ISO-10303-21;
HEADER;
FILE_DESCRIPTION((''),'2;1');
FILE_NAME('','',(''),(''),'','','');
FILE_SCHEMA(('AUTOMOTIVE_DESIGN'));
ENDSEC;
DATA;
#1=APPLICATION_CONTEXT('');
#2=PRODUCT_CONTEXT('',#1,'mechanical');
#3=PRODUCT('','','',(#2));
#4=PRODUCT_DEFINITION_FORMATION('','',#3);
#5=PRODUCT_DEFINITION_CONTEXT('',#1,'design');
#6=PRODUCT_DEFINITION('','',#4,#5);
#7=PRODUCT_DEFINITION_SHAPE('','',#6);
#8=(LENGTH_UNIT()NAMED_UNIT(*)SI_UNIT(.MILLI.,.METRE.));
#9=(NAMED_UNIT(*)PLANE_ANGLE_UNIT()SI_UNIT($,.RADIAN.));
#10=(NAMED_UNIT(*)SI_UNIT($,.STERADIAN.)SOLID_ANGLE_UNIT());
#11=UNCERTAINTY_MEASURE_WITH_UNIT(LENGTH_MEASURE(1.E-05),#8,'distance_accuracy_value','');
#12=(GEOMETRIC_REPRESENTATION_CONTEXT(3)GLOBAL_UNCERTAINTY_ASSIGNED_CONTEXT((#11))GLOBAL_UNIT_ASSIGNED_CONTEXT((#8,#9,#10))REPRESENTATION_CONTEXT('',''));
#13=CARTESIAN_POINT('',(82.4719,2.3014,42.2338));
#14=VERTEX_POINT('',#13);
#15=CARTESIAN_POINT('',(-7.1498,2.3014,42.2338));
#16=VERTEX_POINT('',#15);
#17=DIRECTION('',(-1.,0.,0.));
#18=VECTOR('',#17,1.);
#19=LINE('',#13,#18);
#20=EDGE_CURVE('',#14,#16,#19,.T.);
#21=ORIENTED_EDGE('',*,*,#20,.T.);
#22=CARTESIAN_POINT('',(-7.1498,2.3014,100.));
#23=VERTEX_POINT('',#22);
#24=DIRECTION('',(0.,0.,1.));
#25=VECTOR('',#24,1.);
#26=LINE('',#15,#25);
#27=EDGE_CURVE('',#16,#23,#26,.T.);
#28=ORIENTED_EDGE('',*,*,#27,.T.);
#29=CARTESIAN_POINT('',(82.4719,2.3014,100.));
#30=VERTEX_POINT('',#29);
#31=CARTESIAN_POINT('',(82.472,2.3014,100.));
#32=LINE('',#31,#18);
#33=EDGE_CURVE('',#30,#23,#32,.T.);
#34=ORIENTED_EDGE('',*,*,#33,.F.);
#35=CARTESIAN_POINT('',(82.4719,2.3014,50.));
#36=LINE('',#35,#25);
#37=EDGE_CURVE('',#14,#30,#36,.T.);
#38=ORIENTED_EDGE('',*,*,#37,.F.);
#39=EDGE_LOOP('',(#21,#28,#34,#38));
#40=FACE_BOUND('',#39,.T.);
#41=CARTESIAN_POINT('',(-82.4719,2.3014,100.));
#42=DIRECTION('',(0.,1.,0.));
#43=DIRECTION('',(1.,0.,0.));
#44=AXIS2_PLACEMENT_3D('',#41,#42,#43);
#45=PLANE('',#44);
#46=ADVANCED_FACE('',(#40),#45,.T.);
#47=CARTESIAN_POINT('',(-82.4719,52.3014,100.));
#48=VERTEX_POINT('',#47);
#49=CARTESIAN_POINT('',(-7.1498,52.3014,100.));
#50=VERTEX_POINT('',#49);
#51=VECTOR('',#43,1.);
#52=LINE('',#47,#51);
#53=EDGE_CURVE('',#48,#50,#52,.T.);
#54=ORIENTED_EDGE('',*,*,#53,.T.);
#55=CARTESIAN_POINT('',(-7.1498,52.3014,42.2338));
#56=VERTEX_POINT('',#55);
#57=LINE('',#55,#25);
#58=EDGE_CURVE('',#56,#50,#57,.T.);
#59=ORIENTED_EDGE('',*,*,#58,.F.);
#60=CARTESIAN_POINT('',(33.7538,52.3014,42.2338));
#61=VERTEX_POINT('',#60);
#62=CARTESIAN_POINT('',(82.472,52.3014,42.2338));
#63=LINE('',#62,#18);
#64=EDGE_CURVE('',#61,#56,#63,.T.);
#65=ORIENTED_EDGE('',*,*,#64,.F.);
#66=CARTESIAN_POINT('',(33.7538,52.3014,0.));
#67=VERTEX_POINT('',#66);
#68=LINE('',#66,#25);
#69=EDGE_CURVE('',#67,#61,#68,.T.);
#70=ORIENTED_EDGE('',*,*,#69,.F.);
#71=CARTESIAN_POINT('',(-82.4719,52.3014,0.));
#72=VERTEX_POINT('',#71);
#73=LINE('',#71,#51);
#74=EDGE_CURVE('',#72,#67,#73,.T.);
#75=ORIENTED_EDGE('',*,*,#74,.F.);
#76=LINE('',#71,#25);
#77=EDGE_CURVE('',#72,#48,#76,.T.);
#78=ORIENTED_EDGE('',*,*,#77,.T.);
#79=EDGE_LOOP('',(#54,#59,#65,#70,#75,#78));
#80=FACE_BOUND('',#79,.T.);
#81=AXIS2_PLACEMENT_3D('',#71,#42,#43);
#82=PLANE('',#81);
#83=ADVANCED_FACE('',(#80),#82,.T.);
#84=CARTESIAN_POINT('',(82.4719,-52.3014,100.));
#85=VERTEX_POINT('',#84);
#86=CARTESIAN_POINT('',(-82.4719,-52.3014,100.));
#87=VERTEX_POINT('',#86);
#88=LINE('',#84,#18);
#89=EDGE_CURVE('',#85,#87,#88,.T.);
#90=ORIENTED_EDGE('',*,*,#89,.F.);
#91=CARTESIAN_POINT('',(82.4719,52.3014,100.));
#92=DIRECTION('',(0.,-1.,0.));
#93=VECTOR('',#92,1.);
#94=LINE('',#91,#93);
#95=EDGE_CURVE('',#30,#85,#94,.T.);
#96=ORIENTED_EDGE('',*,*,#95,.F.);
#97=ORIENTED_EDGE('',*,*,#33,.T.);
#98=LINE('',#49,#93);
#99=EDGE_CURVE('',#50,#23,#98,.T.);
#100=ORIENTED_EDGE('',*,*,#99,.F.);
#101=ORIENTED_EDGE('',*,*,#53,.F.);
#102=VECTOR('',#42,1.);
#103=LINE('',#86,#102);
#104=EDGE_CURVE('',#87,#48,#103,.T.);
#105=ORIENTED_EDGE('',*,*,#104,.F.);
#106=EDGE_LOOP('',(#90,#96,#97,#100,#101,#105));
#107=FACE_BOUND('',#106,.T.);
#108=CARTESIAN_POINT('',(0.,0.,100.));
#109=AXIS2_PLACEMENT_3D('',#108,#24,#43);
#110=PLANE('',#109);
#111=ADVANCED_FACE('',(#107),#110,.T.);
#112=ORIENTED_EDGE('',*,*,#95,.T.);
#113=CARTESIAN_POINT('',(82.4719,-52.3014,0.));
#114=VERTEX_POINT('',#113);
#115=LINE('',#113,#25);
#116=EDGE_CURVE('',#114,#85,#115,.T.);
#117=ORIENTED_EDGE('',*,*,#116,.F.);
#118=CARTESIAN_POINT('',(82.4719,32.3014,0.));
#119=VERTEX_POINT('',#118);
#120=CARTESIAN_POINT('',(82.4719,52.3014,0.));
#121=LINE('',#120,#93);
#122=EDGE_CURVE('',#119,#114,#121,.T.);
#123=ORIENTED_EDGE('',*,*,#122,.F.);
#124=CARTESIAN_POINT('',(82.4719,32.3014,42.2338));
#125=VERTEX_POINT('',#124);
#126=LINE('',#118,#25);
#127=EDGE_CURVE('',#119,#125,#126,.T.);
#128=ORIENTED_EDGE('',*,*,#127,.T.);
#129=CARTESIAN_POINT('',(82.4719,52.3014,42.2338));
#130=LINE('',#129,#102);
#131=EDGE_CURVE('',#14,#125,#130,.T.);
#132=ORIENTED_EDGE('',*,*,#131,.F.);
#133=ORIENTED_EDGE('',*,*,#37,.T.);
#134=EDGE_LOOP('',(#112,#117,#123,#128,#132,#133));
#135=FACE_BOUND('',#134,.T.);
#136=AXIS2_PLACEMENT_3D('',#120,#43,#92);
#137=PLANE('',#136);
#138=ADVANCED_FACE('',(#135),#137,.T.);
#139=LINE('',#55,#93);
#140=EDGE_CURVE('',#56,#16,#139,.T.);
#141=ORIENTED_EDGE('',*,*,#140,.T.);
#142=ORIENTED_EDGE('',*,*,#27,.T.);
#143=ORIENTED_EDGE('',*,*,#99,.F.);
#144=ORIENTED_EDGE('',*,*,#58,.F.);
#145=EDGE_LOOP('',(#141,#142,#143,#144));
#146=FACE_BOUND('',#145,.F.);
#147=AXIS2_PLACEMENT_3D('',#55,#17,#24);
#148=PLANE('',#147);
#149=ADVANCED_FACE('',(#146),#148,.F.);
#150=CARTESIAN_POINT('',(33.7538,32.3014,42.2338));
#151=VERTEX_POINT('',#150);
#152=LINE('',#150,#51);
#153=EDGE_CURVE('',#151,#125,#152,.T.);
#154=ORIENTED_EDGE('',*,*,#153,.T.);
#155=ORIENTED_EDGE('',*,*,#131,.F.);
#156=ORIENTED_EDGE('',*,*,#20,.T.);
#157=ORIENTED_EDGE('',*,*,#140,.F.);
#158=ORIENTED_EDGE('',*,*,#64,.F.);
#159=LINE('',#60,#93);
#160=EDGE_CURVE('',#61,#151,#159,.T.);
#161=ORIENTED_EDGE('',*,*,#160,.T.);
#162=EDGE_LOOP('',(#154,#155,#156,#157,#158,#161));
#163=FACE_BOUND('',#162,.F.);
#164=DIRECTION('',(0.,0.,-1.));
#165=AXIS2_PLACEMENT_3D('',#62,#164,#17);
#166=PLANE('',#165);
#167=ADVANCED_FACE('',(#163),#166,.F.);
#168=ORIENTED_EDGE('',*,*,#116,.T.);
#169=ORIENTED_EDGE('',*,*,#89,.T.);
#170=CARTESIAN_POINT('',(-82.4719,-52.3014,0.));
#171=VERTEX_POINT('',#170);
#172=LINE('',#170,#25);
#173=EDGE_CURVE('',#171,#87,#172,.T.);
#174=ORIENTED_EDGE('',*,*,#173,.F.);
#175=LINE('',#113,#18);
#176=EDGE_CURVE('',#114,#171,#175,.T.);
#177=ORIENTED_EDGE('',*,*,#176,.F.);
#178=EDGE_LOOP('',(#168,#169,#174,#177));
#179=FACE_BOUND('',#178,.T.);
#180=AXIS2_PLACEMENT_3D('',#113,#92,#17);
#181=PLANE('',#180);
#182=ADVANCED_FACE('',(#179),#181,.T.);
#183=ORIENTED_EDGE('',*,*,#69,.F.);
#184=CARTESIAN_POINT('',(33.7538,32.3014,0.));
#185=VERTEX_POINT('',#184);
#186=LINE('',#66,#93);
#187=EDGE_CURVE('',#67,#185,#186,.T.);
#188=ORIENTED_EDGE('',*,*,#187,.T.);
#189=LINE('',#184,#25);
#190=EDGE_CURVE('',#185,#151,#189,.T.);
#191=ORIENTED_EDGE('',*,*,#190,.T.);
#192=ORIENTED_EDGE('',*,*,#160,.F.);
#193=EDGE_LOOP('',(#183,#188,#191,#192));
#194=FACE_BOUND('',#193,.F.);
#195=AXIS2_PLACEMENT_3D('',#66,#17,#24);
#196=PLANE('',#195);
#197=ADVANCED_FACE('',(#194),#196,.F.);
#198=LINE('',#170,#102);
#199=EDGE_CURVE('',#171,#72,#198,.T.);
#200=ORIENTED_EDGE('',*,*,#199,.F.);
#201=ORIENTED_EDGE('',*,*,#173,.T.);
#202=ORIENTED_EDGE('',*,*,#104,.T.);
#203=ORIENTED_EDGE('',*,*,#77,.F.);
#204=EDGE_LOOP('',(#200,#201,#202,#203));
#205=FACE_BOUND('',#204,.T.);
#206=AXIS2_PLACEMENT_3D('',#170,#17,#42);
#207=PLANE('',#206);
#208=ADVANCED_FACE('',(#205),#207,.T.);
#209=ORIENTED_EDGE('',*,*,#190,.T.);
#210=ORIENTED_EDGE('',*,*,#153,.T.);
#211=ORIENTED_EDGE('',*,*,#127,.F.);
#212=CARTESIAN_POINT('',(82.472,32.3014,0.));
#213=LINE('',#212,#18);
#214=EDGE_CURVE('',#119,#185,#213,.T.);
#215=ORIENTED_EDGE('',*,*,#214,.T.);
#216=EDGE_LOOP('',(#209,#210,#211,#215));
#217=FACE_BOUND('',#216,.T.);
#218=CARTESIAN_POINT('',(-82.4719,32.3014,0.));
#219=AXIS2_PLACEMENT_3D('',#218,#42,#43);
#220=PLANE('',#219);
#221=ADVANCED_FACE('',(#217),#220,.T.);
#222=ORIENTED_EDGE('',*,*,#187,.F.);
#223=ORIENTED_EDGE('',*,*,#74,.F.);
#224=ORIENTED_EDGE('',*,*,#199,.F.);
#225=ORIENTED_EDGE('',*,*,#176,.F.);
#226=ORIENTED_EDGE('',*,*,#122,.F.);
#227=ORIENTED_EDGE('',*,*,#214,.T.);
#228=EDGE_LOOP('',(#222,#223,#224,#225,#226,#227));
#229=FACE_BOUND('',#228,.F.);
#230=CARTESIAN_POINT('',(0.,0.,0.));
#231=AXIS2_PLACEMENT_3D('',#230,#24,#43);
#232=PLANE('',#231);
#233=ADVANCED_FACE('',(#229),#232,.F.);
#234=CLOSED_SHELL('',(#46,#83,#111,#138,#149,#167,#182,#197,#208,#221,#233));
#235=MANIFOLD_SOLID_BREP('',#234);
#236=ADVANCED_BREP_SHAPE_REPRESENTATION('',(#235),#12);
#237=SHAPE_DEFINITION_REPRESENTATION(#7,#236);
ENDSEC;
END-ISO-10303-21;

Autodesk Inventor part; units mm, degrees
ref_plane "YZ Plane" through (0, 0, 0) normal (1, 0, 0) x (0, 1, 0)
ref_plane "XZ Plane" through (0, 0, 0) normal (0, 1, 0) x (-1, 0, 0)
ref_plane "XY Plane" through (0, 0, 0) normal (0, 0, 1) x (1, 0, 0)
sketch "스케치1" plane through (0, 0, 0) normal (0, 0, 1) x (1, 0, 0)
  line L0 (82.4719, -52.3014) -> (-82.4719, -52.3014)
  line L1 (-82.4719, -52.3014) -> (-82.4719, 52.3014)
  line L2 (-82.4719, 52.3014) -> (82.4719, 52.3014)
  line L3 (82.4719, 52.3014) -> (82.4719, -52.3014)
  line L4 (82.4719, -52.3014) -> (-82.4719, 52.3014) construction
  line L5 (-82.4719, -52.3014) -> (82.4719, 52.3014) construction
  point P0 (0, 0)
extrude "돌출1" add sketch "스케치1" along normal blind 100
sketch "스케치2" plane through (-82.4719, 52.3014, 0) normal (0, 1, 0) x (1, 0, 0)
  line L0 (164.9439, 0) -> (0, 0) projected
  line L1 (164.9439, 0) -> (116.2257, 0)
  line L2 (116.2257, 0) -> (116.2257, -42.2338)
  line L3 (116.2257, -42.2338) -> (164.9439, -42.2338)
  line L4 (164.9439, -42.2338) -> (164.9439, 0)
  point P0 (82.4719, 0)
extrude "돌출2" cut sketch "스케치2" against normal blind 20
sketch "스케치3" plane through (-82.4719, 52.3014, 100) normal (0, 1, 0) x (1, 0, 0)
  line L0 (164.9439, 0) -> (0, 0) projected
  line L1 (164.9439, 57.7662) -> (116.2257, 57.7662) projected
  line L2 (75.3221, 0) -> (164.9439, 0)
  line L3 (164.9439, 0) -> (164.9439, 57.7662)
  line L4 (164.9439, 57.7662) -> (75.3221, 57.7662)
  line L5 (75.3221, 57.7662) -> (75.3221, 0)
  point P0 (82.4719, 100)
extrude "돌출3" cut sketch "스케치3" against normal blind 50
properties part number "240503_3Dsketch03"
